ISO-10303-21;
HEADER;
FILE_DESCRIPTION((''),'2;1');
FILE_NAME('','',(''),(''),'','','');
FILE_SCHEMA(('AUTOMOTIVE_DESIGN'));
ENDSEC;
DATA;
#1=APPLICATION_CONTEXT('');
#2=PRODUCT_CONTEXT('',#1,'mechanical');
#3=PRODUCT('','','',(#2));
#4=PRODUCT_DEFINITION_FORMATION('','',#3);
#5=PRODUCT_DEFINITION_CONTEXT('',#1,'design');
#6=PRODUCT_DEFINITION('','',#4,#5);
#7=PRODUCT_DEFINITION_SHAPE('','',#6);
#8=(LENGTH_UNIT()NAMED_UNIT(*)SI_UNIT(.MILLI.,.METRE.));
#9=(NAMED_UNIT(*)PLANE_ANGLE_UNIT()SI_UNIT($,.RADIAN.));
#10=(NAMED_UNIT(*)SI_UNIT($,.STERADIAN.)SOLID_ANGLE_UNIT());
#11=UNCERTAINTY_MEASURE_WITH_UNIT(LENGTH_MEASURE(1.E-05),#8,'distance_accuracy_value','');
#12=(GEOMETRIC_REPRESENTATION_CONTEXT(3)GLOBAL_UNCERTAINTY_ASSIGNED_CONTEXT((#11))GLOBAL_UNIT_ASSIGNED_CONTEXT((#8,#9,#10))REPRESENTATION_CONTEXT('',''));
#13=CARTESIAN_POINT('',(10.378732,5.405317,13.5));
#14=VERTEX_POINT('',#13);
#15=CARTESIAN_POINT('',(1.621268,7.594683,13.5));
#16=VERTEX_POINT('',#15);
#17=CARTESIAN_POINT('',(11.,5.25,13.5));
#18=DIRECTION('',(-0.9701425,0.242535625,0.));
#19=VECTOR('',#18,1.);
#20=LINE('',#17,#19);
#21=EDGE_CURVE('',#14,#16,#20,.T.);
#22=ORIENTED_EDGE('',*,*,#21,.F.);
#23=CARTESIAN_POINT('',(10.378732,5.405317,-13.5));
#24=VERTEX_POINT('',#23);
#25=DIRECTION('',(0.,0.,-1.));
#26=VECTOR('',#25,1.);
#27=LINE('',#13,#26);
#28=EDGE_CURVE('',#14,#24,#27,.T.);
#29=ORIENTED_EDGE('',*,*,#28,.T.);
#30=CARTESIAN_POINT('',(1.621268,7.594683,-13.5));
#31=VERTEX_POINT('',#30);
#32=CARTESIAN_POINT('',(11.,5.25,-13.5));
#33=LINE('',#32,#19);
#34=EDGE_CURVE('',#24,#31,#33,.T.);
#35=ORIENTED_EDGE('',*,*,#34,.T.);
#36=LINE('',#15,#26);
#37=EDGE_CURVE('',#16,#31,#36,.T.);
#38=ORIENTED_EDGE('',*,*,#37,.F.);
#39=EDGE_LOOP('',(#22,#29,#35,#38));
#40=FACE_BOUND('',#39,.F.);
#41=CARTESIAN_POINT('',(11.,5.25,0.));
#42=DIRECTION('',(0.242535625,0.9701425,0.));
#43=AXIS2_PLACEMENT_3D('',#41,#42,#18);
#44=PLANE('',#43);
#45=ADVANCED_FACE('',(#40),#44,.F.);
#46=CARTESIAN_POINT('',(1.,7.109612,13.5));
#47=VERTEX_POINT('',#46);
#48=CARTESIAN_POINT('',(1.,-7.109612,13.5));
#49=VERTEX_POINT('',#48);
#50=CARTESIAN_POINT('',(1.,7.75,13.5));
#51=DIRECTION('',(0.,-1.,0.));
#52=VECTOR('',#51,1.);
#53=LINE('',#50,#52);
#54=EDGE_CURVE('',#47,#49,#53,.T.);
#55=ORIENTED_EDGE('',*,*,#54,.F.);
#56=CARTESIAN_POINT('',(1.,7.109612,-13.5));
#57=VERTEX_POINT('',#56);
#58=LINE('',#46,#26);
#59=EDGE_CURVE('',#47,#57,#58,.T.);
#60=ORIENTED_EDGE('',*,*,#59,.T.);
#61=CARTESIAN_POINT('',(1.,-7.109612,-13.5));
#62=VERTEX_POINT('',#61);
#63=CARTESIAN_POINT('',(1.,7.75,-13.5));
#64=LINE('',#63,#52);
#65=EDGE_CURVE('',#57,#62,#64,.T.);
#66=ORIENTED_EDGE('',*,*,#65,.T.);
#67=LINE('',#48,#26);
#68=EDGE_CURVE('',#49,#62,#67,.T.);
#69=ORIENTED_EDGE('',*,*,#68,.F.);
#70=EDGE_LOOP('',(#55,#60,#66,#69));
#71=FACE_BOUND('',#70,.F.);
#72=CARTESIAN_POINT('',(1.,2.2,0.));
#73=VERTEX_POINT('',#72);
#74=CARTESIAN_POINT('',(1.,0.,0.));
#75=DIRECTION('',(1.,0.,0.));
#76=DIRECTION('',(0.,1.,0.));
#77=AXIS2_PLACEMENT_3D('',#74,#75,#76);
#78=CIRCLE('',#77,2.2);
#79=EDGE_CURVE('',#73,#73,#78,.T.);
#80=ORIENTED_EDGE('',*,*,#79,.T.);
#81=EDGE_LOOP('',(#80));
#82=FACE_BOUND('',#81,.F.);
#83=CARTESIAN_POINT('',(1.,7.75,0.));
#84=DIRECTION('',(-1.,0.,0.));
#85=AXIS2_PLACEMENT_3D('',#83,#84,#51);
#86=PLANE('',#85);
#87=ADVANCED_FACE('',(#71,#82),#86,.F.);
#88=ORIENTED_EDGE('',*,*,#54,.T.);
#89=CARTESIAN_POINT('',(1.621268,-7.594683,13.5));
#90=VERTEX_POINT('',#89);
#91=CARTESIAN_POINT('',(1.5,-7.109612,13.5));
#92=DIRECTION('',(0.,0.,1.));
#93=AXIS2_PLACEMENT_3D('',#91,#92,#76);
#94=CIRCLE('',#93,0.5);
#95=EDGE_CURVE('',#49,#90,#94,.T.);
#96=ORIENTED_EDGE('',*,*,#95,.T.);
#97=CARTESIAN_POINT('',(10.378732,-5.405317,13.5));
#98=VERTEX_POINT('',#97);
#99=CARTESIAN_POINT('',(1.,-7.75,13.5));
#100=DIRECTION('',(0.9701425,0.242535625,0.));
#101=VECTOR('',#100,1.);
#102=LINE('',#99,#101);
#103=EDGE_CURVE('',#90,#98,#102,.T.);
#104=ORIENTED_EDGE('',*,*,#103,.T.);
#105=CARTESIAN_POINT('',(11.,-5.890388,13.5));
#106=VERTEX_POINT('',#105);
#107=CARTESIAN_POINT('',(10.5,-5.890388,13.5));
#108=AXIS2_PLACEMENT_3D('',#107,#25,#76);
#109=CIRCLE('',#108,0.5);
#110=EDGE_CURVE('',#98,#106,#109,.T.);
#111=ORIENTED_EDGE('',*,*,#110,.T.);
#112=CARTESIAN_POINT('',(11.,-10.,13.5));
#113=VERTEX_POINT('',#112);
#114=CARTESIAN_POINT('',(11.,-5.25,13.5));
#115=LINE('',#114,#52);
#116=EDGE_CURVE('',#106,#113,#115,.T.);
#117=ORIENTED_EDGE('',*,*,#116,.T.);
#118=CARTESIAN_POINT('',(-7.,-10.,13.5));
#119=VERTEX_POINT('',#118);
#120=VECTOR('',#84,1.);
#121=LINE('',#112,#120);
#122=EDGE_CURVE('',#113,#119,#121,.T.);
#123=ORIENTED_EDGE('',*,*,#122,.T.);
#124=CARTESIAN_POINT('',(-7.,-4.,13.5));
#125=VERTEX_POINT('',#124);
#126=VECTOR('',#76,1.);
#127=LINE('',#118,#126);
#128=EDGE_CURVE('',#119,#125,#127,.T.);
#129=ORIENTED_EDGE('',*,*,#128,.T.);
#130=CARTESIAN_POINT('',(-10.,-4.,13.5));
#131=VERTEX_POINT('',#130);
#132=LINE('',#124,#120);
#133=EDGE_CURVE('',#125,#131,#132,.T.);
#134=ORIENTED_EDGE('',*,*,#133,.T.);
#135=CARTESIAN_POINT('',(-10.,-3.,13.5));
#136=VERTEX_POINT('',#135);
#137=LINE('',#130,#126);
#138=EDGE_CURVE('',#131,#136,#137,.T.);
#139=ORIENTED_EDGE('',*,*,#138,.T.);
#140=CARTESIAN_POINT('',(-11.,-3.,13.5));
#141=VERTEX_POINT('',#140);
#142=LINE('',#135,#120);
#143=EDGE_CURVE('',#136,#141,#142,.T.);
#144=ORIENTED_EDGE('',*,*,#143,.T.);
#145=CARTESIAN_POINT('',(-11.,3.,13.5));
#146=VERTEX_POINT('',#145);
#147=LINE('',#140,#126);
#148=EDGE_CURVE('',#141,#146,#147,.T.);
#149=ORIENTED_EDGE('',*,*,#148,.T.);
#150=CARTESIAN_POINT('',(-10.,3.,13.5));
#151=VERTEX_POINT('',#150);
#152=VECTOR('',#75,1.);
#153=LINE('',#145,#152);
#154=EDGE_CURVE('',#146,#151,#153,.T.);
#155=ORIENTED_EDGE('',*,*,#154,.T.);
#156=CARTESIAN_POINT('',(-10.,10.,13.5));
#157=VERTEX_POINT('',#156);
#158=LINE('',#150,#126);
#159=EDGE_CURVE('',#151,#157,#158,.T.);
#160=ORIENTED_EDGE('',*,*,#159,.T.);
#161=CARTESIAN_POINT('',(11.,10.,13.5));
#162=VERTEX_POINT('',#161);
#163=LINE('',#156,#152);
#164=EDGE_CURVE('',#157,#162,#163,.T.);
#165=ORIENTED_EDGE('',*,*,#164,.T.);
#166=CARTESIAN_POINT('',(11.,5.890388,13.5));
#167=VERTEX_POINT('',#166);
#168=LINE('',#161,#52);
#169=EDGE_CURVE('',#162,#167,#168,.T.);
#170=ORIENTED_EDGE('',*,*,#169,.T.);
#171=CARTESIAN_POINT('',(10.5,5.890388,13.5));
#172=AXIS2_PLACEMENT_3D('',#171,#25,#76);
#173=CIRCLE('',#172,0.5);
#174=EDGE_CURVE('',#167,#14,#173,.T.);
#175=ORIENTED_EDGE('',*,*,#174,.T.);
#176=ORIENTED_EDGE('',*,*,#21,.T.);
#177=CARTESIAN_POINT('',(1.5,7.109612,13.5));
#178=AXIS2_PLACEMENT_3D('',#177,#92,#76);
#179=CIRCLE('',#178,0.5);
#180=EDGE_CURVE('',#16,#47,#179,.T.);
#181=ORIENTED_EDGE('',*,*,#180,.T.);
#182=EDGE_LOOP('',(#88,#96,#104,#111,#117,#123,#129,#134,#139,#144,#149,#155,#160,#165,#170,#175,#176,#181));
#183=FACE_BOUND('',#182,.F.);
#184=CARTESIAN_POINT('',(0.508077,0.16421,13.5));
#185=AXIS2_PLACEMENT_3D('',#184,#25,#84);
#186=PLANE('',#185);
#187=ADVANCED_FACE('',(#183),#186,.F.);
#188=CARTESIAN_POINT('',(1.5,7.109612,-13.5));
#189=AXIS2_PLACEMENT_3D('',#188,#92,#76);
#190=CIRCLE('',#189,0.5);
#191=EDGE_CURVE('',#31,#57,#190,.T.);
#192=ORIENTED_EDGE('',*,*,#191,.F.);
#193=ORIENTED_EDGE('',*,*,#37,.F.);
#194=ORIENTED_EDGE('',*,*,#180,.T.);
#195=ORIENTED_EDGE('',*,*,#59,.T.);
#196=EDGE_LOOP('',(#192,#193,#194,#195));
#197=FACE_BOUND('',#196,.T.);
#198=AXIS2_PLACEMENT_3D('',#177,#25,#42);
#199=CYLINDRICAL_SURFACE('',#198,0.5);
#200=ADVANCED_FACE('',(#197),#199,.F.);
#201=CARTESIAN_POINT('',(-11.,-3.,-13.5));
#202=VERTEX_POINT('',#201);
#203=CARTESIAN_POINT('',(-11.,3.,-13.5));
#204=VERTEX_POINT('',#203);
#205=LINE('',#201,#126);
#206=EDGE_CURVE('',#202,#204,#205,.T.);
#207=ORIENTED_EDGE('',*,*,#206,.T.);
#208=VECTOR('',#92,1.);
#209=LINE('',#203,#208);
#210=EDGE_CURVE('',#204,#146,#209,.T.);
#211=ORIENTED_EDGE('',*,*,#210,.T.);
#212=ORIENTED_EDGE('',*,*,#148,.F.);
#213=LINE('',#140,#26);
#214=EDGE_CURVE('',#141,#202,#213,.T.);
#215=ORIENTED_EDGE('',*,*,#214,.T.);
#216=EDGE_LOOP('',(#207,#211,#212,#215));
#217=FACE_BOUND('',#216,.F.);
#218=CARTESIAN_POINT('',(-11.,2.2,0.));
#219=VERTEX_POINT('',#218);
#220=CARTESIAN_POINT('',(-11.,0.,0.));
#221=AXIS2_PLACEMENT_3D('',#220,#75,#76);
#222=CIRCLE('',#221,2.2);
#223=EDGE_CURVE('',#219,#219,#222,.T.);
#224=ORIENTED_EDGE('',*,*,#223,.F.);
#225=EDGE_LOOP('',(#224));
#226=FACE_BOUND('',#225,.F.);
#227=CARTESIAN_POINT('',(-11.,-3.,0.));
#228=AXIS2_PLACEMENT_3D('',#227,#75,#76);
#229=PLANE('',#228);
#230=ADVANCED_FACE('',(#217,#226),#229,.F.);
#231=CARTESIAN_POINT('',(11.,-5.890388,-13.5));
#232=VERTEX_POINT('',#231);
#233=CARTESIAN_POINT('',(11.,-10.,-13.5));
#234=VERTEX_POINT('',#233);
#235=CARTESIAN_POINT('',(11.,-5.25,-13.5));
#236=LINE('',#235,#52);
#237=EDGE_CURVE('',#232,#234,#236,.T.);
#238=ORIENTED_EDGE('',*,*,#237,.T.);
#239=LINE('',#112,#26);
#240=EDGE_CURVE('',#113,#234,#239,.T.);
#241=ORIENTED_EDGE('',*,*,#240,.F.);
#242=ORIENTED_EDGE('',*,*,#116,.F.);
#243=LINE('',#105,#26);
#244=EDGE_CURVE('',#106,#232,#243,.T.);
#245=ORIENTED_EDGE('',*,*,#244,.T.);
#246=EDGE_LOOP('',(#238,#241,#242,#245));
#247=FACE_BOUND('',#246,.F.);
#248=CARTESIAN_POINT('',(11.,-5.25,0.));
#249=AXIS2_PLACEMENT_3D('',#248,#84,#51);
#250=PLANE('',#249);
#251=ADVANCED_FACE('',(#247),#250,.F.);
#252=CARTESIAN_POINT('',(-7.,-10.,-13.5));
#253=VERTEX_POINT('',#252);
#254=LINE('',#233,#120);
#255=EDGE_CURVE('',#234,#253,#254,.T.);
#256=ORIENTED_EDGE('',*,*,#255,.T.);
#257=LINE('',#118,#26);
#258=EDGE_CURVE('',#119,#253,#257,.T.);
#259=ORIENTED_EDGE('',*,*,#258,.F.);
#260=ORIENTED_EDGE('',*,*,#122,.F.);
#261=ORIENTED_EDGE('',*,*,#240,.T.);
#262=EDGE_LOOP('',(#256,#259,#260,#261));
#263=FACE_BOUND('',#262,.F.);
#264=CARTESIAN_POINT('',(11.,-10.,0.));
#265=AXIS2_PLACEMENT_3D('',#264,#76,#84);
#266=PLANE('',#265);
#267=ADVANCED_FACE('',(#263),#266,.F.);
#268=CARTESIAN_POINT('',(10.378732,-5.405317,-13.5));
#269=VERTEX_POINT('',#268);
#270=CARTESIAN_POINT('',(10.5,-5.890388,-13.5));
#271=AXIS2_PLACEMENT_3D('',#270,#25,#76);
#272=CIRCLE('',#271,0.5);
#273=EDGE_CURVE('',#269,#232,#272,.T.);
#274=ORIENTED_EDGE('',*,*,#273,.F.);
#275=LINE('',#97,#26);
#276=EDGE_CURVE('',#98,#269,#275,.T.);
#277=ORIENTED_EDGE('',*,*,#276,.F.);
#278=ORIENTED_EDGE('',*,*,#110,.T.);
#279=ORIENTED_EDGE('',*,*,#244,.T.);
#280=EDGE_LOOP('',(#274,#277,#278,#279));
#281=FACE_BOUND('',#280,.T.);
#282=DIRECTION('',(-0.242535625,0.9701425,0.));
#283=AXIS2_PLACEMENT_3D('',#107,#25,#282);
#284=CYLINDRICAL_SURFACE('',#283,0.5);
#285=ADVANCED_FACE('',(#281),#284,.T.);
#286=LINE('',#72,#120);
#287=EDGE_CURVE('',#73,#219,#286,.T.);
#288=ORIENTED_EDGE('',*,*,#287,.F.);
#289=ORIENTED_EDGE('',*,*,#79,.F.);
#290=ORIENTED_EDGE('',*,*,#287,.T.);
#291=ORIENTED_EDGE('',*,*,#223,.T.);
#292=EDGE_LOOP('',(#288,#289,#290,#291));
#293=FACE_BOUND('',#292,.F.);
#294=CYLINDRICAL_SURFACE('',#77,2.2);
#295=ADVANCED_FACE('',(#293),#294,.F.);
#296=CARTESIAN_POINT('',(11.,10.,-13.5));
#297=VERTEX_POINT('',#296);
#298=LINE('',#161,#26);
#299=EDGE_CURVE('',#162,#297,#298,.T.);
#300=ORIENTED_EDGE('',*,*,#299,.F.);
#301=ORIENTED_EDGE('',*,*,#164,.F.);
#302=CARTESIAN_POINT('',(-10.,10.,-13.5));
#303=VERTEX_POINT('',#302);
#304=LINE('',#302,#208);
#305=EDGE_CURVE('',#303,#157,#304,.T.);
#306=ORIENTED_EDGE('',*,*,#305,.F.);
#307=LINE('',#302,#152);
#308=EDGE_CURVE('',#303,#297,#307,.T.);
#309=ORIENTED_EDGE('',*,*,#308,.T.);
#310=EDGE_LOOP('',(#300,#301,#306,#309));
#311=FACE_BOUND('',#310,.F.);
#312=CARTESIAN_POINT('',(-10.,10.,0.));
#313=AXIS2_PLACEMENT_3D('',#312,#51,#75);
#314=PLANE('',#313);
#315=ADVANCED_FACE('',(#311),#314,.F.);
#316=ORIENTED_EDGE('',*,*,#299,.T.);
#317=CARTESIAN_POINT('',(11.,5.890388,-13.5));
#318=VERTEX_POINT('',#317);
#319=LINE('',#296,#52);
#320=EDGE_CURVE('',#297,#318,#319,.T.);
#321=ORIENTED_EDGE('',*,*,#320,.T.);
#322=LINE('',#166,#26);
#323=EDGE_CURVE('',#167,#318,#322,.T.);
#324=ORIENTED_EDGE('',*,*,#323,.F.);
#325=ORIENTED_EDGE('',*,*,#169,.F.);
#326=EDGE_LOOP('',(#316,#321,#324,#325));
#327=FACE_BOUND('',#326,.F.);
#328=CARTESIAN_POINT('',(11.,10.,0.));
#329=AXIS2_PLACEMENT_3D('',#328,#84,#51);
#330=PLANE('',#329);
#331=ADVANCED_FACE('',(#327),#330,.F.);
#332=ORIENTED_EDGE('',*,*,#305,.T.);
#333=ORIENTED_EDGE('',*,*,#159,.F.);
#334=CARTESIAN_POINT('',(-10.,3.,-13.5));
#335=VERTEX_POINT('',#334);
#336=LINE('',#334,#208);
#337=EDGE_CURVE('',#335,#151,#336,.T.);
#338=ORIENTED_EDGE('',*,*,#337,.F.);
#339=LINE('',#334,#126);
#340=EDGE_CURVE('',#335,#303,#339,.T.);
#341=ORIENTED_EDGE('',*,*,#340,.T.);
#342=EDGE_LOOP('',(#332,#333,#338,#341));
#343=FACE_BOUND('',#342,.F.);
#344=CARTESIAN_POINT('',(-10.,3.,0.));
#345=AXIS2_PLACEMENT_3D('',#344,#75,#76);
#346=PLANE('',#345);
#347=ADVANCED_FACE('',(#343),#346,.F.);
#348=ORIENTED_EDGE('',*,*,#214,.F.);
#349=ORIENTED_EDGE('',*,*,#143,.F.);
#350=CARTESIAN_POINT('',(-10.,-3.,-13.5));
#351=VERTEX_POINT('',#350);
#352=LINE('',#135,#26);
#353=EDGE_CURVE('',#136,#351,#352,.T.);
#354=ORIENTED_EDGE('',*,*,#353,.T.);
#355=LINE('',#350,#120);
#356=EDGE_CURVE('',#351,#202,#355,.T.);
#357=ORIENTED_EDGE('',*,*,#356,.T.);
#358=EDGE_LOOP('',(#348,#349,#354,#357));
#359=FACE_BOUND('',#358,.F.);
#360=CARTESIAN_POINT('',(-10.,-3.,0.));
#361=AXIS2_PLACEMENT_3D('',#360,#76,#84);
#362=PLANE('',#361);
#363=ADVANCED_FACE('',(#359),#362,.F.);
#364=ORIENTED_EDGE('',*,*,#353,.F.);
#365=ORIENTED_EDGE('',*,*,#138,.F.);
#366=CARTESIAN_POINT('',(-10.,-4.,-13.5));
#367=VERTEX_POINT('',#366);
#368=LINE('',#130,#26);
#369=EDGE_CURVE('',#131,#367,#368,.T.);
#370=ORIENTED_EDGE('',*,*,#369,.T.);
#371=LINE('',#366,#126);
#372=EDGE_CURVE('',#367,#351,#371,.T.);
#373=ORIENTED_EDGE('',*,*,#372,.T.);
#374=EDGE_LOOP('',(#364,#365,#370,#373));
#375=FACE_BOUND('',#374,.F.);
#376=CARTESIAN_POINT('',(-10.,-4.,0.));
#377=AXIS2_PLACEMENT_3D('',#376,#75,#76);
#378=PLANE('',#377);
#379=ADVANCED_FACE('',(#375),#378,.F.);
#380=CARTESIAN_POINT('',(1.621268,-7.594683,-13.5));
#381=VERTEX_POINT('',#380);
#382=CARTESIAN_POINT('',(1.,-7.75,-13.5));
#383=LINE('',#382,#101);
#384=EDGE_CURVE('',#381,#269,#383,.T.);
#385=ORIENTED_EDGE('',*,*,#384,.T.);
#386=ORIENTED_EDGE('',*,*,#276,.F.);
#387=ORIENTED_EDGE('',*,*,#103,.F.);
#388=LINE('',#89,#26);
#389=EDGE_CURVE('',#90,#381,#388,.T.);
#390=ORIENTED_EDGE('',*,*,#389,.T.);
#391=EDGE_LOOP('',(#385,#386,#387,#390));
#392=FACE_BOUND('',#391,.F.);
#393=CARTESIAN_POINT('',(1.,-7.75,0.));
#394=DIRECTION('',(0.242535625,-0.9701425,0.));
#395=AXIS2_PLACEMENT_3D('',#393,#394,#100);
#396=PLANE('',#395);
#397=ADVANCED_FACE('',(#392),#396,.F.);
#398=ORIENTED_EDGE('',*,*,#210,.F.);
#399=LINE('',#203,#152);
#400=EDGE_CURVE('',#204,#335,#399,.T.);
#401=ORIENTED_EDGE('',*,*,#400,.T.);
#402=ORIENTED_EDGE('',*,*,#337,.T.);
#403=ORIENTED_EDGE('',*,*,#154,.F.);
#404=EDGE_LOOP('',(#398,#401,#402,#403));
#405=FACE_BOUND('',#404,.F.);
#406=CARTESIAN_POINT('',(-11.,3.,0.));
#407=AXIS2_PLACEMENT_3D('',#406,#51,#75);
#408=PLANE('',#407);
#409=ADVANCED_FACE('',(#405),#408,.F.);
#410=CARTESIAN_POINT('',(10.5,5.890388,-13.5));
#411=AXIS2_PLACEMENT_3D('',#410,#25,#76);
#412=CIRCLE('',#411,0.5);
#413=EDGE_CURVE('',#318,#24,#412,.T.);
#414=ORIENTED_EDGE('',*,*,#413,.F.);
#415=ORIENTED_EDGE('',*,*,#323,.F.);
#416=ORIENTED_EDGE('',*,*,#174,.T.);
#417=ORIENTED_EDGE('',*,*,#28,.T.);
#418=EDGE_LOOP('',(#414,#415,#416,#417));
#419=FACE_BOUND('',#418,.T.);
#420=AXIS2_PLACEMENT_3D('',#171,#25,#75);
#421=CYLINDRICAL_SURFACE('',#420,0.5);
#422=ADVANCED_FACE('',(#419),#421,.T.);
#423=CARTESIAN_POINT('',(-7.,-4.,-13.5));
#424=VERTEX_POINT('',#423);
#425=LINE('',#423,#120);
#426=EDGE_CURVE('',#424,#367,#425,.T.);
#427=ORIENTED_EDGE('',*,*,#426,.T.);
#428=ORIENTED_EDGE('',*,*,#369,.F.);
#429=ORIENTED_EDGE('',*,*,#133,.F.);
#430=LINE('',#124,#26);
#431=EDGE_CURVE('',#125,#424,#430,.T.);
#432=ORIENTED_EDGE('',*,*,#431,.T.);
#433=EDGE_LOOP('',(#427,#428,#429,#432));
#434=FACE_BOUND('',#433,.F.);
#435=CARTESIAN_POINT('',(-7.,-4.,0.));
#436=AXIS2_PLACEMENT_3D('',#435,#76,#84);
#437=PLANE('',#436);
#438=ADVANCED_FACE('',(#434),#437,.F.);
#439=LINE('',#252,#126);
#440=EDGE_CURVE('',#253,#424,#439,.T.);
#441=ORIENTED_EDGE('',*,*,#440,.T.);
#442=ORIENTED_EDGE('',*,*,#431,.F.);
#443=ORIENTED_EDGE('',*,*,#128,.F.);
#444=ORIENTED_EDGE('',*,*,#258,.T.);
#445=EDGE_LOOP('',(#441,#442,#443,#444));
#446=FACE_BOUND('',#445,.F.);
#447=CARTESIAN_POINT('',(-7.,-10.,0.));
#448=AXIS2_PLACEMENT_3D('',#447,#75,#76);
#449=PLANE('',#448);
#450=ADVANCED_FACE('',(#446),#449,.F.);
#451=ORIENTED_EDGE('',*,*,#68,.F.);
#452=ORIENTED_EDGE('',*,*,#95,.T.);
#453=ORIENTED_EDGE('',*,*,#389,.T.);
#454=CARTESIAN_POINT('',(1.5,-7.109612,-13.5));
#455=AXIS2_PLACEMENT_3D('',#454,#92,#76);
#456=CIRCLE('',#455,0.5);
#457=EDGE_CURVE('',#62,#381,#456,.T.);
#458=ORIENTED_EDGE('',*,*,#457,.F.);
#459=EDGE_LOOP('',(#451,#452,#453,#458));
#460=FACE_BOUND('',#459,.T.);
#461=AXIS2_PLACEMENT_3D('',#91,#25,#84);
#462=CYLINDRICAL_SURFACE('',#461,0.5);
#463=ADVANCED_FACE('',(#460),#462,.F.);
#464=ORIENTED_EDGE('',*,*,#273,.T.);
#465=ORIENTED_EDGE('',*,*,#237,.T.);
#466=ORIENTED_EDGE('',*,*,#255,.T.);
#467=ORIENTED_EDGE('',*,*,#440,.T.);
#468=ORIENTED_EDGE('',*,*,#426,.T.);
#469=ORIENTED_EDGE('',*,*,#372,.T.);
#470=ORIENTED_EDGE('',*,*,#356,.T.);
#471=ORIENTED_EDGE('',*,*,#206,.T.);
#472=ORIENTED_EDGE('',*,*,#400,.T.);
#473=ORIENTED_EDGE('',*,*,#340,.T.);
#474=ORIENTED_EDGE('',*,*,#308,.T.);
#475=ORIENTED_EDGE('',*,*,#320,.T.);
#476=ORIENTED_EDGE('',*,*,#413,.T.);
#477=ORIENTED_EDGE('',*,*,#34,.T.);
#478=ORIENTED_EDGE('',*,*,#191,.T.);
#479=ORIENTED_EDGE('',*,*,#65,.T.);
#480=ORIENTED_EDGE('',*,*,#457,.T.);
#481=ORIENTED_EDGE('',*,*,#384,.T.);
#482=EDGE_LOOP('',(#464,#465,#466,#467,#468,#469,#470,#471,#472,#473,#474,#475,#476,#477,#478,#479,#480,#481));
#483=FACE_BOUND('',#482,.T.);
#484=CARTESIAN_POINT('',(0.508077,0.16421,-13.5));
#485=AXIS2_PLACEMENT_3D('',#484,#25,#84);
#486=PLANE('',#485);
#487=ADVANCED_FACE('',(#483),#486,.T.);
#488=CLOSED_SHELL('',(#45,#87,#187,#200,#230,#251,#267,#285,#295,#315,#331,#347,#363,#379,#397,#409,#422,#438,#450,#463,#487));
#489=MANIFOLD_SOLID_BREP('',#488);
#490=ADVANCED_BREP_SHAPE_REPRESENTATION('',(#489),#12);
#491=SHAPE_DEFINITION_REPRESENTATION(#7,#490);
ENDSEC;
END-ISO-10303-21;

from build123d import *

# Parameters (mm, degrees)
PAD_DEPTH    = 13.5
SKETCH001_R  = 2.2
POCKET_DEPTH = 12.001
FILLET001_R  = 0.5


with BuildPart() as part:
    # Sketch → Pad (new body, symmetric)
    with BuildSketch(Plane.XY):
        Polygon((-10, 10), (11, 10), (11, 5.25), (1, 7.75), (1, -7.75), (11, -5.25), (11, -10), (-7, -10), (-7, -4), (-10, -4), (-10, -3), (-11, -3), (-11, 3), (-10, 3), align=None)
    extrude(amount=PAD_DEPTH, both=True)

    # Sketch001 (on Face6 of Pad) → Pocket (cut, through all)
    with BuildSketch(Plane.YZ.offset(1)):
        Circle(SKETCH001_R)
    extrude(amount=-POCKET_DEPTH, mode=Mode.SUBTRACT)

    # Fillet001
    fillet001_edges = [part.edges().sort_by_distance(p)[0] for p in [
        (1, 7.75, 0),
        (1, -7.75, 0),
        (11, -5.25, 0),
        (11, 5.25, 0),
    ]]
    fillet(fillet001_edges, radius=FILLET001_R)


solid = part.part
